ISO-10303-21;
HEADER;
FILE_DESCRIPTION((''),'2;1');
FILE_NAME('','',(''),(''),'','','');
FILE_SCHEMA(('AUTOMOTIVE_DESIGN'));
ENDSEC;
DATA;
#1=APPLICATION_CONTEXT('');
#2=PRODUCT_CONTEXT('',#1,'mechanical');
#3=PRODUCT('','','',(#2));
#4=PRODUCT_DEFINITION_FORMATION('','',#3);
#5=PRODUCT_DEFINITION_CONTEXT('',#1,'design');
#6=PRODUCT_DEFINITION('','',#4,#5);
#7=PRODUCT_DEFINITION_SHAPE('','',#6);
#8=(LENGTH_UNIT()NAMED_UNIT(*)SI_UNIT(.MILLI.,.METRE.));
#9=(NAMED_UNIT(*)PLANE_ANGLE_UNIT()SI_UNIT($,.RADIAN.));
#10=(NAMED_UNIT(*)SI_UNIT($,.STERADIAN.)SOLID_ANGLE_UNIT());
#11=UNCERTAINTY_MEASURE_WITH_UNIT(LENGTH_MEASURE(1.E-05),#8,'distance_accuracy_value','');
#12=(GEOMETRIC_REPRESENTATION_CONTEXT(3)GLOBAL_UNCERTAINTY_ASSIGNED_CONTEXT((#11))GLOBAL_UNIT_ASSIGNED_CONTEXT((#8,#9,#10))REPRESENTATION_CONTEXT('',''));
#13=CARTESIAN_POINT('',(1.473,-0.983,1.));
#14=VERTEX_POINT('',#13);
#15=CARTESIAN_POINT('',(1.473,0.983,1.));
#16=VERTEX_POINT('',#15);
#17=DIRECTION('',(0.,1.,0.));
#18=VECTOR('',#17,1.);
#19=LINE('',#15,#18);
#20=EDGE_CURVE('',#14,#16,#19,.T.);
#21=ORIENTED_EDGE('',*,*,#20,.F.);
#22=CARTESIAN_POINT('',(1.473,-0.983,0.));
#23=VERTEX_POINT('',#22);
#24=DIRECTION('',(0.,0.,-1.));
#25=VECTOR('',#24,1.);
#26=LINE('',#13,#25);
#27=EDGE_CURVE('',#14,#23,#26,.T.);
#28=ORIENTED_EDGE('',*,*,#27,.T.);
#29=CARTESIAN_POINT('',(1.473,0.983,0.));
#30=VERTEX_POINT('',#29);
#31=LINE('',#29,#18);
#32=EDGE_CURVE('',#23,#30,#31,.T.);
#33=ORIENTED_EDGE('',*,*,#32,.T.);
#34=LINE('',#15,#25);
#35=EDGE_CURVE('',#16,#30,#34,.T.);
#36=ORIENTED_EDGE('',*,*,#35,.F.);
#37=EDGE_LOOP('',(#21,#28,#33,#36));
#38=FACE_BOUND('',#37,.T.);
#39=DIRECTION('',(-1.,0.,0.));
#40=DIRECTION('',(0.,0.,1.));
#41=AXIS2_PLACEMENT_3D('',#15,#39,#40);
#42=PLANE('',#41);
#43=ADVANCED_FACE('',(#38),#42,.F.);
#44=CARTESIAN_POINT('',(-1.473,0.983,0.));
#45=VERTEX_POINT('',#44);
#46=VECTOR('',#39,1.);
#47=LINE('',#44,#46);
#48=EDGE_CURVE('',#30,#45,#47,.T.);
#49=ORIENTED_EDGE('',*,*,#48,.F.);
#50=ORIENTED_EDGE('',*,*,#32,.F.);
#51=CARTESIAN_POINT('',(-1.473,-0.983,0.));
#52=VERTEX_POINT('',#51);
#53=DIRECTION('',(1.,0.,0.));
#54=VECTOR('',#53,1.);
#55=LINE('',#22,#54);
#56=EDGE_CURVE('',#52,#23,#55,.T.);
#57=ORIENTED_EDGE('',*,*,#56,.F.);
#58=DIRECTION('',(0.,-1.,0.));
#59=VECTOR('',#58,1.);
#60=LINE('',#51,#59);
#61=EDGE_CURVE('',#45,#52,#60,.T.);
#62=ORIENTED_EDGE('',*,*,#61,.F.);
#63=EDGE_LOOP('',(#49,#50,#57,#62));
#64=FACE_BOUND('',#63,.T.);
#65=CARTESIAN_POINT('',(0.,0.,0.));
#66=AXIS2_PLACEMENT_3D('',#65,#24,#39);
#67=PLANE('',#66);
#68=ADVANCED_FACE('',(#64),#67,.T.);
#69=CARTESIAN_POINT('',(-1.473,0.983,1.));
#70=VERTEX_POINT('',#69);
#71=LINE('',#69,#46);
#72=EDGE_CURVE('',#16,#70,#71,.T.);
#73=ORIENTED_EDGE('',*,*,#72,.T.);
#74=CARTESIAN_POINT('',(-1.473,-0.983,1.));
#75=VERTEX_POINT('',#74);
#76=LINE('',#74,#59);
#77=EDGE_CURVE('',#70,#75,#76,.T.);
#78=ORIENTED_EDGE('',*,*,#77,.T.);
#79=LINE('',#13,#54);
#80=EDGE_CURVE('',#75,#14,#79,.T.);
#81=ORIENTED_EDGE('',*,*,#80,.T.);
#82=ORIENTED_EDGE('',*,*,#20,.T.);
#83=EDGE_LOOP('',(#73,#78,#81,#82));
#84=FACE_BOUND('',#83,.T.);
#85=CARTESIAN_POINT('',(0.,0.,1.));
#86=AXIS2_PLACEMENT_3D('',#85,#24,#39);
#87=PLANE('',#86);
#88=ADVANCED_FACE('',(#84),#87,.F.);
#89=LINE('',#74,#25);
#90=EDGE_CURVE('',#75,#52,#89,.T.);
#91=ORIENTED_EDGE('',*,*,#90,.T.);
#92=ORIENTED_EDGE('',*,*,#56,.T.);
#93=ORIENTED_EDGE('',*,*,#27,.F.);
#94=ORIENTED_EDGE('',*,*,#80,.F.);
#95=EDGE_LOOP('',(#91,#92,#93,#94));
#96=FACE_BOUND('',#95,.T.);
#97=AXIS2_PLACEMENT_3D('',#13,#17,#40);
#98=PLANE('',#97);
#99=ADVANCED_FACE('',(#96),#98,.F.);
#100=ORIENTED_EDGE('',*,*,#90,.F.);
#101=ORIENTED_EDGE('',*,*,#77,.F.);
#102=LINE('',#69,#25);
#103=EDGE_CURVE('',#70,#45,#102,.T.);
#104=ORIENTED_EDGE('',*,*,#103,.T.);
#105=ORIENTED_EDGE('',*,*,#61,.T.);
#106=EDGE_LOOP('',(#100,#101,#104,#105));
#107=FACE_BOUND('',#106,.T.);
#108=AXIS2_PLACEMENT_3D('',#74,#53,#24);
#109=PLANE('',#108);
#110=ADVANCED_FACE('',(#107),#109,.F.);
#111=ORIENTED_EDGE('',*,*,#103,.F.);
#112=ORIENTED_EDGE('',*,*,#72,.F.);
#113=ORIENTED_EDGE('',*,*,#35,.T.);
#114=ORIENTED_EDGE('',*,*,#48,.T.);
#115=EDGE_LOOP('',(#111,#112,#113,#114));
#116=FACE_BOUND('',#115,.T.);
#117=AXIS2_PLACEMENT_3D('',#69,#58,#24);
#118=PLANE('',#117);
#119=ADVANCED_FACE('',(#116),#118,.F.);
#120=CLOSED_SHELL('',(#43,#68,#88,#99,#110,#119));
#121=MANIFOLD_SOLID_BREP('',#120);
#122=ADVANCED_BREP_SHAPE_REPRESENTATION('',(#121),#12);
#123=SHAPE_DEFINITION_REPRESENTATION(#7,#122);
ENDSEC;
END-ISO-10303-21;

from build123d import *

# Parameters (mm, degrees)
SKETCH1_W               = 2.946
SKETCH1_H               = 1.966
COMPONENT_OUTLINE_DEPTH = 1


with BuildPart() as part:
    # Sketch1 → Component_Outline (new body)
    with BuildSketch(Plane.XY):
        Rectangle(SKETCH1_W, SKETCH1_H)
    extrude(amount=COMPONENT_OUTLINE_DEPTH)


solid = part.part
